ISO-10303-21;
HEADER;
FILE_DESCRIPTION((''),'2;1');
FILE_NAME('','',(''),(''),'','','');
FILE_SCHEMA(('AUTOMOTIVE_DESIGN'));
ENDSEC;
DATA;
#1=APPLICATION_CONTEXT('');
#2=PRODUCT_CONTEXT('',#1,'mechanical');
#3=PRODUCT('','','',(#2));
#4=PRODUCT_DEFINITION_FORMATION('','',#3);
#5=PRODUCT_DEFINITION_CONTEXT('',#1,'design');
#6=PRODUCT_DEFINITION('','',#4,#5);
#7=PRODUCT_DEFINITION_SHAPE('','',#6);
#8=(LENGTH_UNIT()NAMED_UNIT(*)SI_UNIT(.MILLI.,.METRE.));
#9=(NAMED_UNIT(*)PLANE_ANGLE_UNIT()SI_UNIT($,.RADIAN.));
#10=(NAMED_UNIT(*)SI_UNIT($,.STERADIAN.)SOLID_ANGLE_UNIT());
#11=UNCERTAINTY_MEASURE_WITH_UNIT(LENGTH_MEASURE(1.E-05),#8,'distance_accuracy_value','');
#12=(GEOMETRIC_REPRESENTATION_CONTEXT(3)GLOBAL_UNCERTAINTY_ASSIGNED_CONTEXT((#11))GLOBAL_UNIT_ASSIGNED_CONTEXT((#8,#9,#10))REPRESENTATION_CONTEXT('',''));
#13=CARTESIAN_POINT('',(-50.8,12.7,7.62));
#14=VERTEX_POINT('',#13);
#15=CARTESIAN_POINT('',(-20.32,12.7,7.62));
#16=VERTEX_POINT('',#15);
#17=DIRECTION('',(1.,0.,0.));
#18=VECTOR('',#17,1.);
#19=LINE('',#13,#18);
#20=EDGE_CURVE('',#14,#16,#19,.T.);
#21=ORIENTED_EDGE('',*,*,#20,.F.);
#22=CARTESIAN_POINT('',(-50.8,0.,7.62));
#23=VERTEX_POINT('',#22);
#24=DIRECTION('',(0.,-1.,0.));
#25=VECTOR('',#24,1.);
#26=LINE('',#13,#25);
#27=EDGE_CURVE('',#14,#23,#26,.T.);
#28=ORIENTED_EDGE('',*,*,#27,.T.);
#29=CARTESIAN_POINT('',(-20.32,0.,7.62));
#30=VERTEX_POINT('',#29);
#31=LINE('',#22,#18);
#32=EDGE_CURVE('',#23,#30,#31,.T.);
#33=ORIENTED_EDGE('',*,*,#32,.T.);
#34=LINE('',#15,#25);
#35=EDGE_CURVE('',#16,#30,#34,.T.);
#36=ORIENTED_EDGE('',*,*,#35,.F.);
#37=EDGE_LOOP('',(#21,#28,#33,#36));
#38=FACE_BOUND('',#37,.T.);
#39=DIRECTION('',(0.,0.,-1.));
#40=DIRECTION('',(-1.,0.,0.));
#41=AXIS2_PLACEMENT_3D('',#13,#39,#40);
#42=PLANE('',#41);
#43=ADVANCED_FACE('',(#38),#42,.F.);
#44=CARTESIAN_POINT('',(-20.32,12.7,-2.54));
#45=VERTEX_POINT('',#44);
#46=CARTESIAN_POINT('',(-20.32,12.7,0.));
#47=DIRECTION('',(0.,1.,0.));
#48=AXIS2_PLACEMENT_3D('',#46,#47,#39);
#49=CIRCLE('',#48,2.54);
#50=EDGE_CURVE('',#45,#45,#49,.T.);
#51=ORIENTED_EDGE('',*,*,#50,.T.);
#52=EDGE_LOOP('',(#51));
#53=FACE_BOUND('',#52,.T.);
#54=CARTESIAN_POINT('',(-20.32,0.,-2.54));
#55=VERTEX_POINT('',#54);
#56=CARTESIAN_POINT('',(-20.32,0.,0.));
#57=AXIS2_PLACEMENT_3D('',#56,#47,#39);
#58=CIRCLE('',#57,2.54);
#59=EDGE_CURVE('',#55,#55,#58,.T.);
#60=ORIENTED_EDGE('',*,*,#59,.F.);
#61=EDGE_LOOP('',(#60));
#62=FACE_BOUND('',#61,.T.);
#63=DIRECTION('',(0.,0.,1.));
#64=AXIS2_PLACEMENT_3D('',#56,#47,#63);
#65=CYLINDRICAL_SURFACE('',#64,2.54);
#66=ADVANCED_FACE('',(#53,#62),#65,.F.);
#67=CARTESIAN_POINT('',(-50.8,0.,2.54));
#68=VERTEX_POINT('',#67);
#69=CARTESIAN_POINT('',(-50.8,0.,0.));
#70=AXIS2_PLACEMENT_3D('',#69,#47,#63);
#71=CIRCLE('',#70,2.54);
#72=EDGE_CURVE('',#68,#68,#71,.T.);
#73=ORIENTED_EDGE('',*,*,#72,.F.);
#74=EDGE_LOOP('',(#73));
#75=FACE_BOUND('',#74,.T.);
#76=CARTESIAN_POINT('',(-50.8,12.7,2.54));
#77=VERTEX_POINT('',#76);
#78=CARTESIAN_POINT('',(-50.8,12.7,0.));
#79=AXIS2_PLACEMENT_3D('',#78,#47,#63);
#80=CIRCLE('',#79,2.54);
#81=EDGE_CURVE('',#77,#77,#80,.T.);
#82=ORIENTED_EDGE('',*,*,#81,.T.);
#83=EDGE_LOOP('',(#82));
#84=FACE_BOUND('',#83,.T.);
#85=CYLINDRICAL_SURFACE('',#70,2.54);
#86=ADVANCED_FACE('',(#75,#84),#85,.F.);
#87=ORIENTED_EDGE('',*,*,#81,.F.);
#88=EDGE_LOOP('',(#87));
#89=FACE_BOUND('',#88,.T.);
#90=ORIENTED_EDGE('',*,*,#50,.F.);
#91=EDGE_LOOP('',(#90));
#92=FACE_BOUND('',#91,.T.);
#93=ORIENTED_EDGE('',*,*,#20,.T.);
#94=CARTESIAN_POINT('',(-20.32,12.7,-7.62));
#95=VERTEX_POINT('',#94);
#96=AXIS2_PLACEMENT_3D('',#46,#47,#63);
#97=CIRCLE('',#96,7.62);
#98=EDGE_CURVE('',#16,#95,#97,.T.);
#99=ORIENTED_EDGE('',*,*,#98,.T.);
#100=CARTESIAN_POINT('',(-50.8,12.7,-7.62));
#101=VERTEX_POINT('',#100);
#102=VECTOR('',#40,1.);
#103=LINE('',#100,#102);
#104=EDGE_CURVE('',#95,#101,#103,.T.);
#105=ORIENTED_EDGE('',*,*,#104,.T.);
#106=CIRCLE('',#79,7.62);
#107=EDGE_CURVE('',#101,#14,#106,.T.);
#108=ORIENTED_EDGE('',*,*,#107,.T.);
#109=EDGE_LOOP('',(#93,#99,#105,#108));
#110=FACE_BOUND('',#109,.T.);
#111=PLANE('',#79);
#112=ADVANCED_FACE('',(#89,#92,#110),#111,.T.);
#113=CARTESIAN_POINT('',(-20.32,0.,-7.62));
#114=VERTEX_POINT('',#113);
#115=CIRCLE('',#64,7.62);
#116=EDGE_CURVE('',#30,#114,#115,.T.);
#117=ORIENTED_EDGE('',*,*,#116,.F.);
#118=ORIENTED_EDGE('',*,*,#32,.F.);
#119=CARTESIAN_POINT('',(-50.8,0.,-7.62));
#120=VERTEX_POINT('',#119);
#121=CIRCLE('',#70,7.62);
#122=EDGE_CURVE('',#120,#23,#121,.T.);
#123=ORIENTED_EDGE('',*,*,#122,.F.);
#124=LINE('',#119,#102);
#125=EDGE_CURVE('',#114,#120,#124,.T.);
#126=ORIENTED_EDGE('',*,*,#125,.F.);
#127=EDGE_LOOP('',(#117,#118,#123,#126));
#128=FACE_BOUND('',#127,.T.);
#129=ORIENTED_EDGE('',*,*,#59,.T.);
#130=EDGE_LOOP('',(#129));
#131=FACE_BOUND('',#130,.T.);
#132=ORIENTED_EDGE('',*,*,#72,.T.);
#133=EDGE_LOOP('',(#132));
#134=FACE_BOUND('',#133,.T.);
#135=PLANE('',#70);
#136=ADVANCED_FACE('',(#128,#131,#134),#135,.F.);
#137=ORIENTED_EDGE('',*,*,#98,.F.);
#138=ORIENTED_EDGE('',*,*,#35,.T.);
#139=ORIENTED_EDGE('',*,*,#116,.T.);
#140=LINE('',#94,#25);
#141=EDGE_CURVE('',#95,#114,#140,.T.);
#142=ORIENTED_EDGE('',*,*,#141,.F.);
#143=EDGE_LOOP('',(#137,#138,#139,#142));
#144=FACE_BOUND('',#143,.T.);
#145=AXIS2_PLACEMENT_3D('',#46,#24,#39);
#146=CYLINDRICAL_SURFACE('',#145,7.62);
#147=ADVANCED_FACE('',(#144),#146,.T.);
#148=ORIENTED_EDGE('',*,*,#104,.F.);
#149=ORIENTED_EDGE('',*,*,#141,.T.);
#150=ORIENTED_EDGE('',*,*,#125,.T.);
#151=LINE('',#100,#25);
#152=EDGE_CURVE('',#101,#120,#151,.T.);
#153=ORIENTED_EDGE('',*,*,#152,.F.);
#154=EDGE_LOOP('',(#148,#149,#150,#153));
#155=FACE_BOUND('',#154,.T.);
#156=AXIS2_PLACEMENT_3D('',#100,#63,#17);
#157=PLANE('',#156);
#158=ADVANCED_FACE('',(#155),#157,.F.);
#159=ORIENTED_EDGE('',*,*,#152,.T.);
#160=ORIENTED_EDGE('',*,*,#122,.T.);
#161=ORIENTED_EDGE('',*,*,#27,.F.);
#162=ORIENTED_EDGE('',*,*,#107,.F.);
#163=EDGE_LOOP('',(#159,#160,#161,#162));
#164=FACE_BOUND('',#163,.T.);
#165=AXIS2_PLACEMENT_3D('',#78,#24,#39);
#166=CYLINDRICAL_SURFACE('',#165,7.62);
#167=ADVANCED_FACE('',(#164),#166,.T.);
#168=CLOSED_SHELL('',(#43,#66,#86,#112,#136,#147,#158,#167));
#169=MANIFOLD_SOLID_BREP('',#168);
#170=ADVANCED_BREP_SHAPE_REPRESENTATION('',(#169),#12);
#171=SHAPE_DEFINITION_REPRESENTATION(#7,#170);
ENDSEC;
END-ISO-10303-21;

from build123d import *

# Parameters (mm, degrees)
BOSS_EXTRUDE1_DEPTH = 12.7
SKETCH4_R           = 2.54
CUT_EXTRUDE3_DEPTH  = 61.26815743


with BuildPart() as part:
    # Sketch3 → Boss-Extrude1 (new body)
    with BuildSketch(Plane(origin=(0, 0, 0), x_dir=(1, 0, 0), z_dir=(0, 1, 0))):
        with BuildLine():
            Line((-50.8, 7.62), (-20.32, 7.62))
            ThreePointArc((-20.32, 7.62), (-12.7, 0), (-20.32, -7.62))
            Line((-20.32, -7.62), (-50.8, -7.62))
            ThreePointArc((-50.8, -7.62), (-58.42, 0), (-50.8, 7.62))
        make_face()
    extrude(amount=BOSS_EXTRUDE1_DEPTH)

    # Sketch4 → Cut-Extrude3 (cut, through all)
    with BuildSketch(Plane(origin=(0, 12.7, 0), x_dir=(1, 0, 0), z_dir=(0, 1, 0))):
        with Locations(Location((-50.8, 0, 0), (0, 0, 270))):
            Circle(SKETCH4_R)
        with Locations(Location((-20.32, 0, 0), (0, 0, 90))):
            Circle(SKETCH4_R)
    extrude(amount=-CUT_EXTRUDE3_DEPTH, mode=Mode.SUBTRACT)


solid = part.part
